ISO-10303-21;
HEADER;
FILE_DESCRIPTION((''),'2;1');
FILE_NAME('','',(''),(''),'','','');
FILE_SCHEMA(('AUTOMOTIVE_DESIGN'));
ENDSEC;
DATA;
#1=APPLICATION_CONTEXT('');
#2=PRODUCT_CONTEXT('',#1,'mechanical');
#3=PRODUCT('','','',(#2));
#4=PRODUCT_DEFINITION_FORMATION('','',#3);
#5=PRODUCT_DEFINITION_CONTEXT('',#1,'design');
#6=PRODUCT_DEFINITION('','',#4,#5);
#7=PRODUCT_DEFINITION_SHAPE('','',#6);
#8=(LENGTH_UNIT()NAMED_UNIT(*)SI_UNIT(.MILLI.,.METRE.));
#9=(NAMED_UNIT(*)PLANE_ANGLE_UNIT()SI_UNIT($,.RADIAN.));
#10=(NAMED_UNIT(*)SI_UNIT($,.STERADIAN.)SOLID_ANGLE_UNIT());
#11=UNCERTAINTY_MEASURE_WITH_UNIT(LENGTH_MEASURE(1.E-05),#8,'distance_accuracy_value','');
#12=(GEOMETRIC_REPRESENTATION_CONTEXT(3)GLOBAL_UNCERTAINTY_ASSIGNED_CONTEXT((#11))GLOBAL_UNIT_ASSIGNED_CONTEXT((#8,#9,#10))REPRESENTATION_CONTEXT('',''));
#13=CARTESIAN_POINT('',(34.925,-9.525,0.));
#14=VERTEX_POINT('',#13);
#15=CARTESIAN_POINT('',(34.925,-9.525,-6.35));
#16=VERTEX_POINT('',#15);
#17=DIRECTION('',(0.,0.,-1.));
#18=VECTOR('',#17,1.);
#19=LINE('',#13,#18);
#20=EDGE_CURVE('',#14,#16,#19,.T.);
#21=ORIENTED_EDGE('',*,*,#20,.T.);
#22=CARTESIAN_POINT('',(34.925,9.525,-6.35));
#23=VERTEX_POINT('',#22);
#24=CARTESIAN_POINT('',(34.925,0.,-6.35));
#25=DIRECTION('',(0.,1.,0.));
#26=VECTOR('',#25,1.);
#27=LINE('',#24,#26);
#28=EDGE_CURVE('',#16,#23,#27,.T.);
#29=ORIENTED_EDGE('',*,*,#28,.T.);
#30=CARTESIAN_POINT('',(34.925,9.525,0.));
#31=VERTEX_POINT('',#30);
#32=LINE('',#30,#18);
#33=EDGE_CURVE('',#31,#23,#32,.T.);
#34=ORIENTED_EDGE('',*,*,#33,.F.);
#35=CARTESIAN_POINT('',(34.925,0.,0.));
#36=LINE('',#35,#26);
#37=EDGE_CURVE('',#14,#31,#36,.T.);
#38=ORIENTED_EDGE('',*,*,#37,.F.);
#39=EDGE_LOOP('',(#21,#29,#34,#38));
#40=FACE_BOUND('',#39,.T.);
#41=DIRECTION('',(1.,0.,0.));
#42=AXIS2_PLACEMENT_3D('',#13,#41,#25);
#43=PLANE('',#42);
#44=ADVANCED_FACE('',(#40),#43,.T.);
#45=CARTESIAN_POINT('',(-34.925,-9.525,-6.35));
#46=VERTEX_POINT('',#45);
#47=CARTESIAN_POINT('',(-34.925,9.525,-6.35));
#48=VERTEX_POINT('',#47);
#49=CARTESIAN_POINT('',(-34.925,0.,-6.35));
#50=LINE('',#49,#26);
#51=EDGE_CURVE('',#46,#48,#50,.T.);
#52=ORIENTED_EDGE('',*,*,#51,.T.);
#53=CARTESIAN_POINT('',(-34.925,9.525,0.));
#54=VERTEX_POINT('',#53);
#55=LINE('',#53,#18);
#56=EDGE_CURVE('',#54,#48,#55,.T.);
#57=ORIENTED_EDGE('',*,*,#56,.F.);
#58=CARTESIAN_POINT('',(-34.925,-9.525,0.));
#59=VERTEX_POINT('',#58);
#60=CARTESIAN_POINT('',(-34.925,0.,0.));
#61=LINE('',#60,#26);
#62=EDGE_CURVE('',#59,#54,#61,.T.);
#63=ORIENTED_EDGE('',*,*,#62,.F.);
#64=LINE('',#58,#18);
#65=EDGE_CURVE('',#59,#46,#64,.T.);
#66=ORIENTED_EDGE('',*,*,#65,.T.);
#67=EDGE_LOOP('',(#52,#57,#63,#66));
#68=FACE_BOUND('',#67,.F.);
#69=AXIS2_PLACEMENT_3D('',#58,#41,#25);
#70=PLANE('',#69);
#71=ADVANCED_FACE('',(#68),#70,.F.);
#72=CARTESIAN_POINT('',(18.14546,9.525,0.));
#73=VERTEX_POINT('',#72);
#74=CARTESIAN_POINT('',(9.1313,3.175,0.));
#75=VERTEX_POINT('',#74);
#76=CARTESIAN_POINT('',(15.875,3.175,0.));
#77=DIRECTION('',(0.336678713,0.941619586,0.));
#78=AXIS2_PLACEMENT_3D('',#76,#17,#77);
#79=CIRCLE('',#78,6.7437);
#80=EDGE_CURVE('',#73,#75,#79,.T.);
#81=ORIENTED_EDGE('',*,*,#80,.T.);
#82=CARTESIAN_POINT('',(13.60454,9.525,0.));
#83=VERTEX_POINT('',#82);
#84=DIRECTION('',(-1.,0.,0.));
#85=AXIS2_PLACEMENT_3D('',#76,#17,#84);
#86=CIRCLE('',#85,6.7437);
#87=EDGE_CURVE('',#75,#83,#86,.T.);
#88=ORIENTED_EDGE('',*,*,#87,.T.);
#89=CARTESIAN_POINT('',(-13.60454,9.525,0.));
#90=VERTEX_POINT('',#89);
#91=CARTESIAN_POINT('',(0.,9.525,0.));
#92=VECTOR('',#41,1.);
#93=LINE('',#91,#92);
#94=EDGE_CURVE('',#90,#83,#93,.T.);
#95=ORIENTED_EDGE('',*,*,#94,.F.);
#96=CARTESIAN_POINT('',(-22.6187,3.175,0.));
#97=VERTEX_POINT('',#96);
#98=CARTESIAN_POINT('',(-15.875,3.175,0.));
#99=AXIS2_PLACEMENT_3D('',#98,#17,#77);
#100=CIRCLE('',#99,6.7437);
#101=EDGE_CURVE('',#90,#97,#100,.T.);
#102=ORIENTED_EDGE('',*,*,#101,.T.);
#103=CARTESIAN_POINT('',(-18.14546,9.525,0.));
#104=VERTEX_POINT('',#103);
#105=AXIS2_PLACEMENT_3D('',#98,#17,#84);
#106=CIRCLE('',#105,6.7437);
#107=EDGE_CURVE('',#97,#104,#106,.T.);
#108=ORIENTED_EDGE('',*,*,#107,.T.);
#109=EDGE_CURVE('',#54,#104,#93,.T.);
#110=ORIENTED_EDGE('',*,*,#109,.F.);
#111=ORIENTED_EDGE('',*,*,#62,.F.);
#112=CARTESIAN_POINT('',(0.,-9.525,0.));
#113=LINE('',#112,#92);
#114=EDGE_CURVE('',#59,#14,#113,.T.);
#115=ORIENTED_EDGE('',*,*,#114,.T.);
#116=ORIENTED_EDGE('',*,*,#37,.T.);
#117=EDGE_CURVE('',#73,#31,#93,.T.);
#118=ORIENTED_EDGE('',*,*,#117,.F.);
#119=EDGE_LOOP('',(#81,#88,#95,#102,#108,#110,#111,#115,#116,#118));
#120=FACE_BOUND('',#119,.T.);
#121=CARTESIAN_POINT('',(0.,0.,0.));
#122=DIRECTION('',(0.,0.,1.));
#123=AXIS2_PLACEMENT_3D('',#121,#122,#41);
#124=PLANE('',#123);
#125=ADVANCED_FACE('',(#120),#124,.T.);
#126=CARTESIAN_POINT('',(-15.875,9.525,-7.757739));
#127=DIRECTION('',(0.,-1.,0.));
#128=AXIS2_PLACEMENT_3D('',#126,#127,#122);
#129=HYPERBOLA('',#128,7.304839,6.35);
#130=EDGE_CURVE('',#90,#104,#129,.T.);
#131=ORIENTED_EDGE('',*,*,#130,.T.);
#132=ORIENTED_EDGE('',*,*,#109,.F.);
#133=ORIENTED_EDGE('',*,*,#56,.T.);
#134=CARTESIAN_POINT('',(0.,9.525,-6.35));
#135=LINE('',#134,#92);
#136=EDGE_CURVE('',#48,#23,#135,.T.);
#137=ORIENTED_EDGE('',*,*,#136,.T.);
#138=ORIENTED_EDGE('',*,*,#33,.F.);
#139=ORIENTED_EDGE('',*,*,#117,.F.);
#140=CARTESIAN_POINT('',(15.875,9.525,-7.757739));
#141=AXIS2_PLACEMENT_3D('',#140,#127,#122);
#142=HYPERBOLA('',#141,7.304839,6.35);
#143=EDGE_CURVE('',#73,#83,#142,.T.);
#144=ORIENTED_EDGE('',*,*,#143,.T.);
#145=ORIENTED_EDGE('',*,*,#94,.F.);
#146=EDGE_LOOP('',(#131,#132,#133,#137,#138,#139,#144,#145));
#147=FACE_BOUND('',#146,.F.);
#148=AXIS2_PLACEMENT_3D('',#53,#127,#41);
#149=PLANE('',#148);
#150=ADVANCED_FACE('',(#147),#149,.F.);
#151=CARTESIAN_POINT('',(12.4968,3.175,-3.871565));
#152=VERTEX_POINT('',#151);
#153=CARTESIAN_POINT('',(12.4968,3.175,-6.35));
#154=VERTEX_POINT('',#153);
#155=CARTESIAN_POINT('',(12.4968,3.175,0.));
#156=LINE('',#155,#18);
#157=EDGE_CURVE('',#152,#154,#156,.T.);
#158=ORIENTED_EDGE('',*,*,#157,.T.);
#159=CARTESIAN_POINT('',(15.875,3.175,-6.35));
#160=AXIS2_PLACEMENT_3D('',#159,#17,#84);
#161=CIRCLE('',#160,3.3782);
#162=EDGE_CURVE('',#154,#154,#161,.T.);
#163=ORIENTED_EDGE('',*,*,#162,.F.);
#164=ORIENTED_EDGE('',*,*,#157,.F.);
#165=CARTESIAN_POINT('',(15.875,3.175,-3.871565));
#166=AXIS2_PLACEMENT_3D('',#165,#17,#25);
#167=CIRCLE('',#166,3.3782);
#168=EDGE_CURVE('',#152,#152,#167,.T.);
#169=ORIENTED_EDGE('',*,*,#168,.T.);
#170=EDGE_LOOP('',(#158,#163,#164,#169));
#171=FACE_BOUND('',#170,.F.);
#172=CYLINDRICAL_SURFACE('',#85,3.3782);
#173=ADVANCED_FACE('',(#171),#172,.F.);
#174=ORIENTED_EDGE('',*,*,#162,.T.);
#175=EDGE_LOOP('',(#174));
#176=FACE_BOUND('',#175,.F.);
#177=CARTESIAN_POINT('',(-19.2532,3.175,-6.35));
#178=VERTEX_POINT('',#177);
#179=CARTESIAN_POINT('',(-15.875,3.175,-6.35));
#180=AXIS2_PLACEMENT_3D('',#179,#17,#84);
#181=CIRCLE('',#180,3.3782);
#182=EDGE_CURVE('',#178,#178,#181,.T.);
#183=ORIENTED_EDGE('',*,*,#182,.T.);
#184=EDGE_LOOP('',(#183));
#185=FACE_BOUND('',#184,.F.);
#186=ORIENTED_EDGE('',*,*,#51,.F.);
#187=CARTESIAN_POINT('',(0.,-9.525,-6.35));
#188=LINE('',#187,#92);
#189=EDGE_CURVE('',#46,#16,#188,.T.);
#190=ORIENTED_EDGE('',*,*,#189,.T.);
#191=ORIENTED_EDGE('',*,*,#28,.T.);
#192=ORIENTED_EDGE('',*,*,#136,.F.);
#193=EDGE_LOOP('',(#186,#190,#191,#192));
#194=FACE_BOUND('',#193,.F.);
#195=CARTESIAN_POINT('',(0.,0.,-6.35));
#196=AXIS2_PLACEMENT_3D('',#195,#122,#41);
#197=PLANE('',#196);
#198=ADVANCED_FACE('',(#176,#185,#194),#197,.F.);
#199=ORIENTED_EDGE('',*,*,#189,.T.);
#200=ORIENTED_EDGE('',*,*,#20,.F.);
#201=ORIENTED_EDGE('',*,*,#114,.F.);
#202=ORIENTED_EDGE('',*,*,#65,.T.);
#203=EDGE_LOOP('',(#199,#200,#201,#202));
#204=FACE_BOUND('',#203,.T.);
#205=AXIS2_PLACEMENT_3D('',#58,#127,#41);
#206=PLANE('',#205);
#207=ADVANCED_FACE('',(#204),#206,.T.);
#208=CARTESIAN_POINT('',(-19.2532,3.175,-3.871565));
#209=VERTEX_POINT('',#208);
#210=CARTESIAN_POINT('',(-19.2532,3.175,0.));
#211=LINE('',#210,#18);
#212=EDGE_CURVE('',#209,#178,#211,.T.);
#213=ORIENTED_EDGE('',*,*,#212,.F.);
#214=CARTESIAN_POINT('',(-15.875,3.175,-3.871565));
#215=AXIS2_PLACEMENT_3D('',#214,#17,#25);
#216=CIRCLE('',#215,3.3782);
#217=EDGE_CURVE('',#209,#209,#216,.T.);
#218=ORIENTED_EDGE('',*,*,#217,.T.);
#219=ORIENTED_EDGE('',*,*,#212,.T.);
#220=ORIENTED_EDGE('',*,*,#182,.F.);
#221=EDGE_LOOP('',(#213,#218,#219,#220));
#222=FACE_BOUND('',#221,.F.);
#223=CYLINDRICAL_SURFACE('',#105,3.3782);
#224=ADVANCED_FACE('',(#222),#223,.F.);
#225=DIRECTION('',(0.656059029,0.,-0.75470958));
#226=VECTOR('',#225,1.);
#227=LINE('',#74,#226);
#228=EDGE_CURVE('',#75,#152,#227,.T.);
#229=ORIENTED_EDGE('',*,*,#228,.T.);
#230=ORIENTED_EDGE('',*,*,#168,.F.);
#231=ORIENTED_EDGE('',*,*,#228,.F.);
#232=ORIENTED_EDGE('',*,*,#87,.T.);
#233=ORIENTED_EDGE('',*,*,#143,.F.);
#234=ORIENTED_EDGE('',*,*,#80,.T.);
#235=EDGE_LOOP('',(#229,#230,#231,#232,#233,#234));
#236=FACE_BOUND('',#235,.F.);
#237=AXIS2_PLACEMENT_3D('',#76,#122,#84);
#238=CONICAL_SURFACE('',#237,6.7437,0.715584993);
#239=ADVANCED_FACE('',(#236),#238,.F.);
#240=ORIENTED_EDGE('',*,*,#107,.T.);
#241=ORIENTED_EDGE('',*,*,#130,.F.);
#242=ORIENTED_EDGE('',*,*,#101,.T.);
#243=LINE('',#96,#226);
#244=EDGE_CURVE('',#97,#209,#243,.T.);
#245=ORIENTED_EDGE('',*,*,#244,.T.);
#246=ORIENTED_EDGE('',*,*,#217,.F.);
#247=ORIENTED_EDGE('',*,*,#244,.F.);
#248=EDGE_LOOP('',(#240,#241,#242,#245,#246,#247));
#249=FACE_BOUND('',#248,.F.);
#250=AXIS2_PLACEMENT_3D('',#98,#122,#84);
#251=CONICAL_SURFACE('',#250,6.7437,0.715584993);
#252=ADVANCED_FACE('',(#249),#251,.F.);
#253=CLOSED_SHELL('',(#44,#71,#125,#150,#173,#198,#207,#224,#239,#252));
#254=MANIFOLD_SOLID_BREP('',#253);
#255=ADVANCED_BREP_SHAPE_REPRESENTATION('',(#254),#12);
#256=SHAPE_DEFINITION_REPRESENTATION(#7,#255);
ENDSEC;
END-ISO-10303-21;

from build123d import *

# Parameters (mm, degrees)
F0_W           = 69.85
F0_H           = 19.05
F0_R           = 3.571875
F1_DEPTH       = 6.35
F2_D           = 6.7564
F2_CSINK_D     = 13.4874
F2_CSINK_ANGLE = 82


with BuildPart() as f1:
    # F0 (on Top) → F1 (new body)
    with BuildSketch(Plane.XY):
        Rectangle(F0_W, F0_H)
        with Locations((-15.875, 3.175)):
            Circle(F0_R, mode=Mode.SUBTRACT)
        with Locations((15.875, 3.175)):
            Circle(F0_R, mode=Mode.SUBTRACT)
        with Locations((-15.875, 3.175)):
            Circle(F0_R)
        with Locations((15.875, 3.175)):
            Circle(F0_R)
    extrude(amount=-F1_DEPTH)

    # F2 (through all)
    with Locations(Plane.XY):
        with Locations((-15.875, 3.175), (15.875, 3.175)):
            CounterSinkHole(F2_D / 2, F2_CSINK_D / 2, counter_sink_angle=F2_CSINK_ANGLE)


solid = f1.part
